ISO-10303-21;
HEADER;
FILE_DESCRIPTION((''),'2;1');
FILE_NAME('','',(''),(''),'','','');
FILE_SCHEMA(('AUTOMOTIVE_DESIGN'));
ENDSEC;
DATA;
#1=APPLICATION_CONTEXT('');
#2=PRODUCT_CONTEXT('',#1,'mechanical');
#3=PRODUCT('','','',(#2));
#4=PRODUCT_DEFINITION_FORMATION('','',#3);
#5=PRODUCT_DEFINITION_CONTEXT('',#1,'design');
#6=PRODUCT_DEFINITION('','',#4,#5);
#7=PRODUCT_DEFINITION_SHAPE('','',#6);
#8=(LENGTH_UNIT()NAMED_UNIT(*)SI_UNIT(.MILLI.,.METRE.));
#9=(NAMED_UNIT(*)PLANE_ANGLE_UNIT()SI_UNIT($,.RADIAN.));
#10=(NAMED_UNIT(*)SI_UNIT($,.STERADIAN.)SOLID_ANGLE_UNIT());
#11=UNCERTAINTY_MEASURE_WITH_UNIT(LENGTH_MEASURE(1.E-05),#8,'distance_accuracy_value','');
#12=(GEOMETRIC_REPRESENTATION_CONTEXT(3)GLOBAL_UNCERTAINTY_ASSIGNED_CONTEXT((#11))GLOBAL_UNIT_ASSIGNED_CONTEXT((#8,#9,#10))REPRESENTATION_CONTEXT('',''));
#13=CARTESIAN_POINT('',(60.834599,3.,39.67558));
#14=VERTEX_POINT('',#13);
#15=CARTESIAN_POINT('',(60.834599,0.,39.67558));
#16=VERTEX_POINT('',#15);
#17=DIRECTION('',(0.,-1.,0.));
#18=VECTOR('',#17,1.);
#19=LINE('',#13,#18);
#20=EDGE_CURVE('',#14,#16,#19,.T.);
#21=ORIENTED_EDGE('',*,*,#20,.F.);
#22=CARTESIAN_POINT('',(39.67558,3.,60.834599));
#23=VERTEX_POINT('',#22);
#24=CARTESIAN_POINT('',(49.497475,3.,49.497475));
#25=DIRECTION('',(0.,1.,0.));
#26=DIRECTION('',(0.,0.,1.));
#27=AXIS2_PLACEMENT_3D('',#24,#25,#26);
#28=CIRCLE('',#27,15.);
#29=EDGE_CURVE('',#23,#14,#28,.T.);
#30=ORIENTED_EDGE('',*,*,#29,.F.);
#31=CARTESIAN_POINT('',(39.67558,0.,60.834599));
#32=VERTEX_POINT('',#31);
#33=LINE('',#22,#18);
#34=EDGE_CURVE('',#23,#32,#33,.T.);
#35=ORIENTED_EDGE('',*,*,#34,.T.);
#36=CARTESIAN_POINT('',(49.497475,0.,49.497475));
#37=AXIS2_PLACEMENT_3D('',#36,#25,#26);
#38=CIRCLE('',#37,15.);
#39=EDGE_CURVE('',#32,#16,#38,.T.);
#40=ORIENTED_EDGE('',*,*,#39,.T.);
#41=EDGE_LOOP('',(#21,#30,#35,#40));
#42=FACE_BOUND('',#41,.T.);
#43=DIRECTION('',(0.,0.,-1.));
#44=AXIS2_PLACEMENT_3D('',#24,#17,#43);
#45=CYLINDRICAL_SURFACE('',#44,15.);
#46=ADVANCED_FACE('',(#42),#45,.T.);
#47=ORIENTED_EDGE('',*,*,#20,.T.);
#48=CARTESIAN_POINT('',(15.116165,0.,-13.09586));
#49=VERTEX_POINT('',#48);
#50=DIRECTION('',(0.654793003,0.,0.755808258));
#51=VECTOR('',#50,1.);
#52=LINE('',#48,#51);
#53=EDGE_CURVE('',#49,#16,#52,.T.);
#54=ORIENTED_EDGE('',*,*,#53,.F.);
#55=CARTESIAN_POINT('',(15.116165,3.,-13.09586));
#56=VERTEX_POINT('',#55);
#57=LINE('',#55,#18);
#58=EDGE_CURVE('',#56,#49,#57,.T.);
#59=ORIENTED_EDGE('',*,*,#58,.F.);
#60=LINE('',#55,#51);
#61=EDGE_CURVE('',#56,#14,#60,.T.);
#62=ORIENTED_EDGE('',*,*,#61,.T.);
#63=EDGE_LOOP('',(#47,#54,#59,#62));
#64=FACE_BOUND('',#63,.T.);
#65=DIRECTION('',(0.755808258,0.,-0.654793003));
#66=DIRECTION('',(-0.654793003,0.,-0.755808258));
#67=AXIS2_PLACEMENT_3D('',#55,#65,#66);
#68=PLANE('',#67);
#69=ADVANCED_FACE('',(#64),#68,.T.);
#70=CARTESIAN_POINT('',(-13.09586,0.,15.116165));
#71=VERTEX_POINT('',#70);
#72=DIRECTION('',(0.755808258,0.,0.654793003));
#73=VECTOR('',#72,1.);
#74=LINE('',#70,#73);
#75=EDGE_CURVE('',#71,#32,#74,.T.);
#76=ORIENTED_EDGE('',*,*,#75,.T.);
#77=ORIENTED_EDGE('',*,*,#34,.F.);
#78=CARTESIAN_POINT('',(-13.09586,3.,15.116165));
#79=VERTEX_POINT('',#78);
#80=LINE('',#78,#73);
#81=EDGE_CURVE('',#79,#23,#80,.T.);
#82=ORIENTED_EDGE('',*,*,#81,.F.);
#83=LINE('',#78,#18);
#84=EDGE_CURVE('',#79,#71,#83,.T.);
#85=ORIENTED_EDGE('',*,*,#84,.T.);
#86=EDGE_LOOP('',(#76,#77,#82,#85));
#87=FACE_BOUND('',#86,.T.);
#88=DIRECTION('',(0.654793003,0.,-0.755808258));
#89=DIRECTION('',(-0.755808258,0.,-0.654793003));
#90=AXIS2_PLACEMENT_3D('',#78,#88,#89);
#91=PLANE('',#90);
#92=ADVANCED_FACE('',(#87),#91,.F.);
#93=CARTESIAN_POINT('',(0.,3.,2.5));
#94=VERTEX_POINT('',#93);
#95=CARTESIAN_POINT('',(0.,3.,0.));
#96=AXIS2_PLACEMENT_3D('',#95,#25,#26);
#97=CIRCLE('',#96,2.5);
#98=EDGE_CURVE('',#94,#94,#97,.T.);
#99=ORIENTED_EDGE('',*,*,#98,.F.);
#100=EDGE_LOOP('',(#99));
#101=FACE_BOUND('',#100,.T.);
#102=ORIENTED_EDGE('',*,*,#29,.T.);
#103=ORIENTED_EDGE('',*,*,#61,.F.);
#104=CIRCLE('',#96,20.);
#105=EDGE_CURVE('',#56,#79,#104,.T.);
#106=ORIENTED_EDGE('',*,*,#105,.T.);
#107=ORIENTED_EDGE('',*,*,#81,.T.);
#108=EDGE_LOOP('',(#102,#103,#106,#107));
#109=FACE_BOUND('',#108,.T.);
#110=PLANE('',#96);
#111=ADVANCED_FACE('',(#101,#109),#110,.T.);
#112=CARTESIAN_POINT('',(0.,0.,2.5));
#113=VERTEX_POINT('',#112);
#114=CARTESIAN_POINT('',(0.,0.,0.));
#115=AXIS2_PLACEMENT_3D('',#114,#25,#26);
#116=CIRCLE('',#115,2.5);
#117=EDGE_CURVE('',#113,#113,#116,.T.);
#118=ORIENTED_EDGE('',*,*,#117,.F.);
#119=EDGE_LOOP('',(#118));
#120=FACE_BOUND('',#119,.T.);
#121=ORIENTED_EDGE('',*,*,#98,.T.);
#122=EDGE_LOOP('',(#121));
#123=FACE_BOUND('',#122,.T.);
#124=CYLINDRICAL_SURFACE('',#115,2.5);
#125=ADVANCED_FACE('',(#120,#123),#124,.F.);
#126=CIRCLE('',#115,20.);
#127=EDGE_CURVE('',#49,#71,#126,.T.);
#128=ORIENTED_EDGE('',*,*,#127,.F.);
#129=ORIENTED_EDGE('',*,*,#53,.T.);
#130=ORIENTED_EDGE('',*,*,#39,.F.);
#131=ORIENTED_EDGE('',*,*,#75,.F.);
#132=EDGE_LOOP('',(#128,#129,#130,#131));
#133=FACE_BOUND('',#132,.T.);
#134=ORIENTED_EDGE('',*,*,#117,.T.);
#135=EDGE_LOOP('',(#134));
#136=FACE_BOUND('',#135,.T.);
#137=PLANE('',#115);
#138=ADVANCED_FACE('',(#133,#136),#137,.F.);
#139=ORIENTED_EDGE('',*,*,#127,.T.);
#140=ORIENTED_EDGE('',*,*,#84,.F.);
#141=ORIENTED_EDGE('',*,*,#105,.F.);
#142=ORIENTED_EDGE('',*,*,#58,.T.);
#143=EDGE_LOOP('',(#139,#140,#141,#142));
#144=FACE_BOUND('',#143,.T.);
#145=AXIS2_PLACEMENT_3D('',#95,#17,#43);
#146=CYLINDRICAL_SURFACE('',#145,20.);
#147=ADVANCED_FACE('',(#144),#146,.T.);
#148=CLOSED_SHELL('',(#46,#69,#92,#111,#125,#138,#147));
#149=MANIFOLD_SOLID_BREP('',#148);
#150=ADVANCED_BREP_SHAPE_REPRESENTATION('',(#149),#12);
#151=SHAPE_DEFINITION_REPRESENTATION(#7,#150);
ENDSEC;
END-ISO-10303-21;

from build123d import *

# Parameters (mm, degrees)
SKETCH_1_R          = 20
SKETCH_1_R_2        = 15
EXTRUDE_1_DEPTH     = 3
SKETCH_2_R          = 2.5
CUT_EXTRUDE_1_DEPTH = 92.262525064


with BuildPart() as part:
    # 草图1 → 凸台-拉伸1 (new body)
    with BuildSketch(Plane(origin=(0, 0, 0), x_dir=(1, 0, 0), z_dir=(0, 1, 0))):
        Circle(SKETCH_1_R)
        with BuildLine():
            ThreePointArc((20, 0), (8.309115435, -18.192267607), (-13.095860068, -15.116165158))
            Line((-13.095860068, -15.116165158), (39.675579632, -60.834598551))
            ThreePointArc((39.675579632, -60.834598551), (38.890872965, -38.890872965), (60.834598551, -39.675579632))
            Line((60.834598551, -39.675579632), (15.116165158, 13.095860068))
            ThreePointArc((15.116165158, 13.095860068), (18.73930766, 6.98844392), (20, 0))
        make_face()
        with Locations((49.497474683, -49.497474683)):
            Circle(SKETCH_1_R_2)
    extrude(amount=EXTRUDE_1_DEPTH)

    # 草图2 → 切除-拉伸1 (cut, through all)
    with BuildSketch(Plane(origin=(0, 3, 0), x_dir=(1, 0, 0), z_dir=(0, 1, 0))):
        with Locations(Location((0, 0, 0), (0, 0, 270))):
            Circle(SKETCH_2_R)
    extrude(amount=-CUT_EXTRUDE_1_DEPTH, mode=Mode.SUBTRACT)


solid = part.part
